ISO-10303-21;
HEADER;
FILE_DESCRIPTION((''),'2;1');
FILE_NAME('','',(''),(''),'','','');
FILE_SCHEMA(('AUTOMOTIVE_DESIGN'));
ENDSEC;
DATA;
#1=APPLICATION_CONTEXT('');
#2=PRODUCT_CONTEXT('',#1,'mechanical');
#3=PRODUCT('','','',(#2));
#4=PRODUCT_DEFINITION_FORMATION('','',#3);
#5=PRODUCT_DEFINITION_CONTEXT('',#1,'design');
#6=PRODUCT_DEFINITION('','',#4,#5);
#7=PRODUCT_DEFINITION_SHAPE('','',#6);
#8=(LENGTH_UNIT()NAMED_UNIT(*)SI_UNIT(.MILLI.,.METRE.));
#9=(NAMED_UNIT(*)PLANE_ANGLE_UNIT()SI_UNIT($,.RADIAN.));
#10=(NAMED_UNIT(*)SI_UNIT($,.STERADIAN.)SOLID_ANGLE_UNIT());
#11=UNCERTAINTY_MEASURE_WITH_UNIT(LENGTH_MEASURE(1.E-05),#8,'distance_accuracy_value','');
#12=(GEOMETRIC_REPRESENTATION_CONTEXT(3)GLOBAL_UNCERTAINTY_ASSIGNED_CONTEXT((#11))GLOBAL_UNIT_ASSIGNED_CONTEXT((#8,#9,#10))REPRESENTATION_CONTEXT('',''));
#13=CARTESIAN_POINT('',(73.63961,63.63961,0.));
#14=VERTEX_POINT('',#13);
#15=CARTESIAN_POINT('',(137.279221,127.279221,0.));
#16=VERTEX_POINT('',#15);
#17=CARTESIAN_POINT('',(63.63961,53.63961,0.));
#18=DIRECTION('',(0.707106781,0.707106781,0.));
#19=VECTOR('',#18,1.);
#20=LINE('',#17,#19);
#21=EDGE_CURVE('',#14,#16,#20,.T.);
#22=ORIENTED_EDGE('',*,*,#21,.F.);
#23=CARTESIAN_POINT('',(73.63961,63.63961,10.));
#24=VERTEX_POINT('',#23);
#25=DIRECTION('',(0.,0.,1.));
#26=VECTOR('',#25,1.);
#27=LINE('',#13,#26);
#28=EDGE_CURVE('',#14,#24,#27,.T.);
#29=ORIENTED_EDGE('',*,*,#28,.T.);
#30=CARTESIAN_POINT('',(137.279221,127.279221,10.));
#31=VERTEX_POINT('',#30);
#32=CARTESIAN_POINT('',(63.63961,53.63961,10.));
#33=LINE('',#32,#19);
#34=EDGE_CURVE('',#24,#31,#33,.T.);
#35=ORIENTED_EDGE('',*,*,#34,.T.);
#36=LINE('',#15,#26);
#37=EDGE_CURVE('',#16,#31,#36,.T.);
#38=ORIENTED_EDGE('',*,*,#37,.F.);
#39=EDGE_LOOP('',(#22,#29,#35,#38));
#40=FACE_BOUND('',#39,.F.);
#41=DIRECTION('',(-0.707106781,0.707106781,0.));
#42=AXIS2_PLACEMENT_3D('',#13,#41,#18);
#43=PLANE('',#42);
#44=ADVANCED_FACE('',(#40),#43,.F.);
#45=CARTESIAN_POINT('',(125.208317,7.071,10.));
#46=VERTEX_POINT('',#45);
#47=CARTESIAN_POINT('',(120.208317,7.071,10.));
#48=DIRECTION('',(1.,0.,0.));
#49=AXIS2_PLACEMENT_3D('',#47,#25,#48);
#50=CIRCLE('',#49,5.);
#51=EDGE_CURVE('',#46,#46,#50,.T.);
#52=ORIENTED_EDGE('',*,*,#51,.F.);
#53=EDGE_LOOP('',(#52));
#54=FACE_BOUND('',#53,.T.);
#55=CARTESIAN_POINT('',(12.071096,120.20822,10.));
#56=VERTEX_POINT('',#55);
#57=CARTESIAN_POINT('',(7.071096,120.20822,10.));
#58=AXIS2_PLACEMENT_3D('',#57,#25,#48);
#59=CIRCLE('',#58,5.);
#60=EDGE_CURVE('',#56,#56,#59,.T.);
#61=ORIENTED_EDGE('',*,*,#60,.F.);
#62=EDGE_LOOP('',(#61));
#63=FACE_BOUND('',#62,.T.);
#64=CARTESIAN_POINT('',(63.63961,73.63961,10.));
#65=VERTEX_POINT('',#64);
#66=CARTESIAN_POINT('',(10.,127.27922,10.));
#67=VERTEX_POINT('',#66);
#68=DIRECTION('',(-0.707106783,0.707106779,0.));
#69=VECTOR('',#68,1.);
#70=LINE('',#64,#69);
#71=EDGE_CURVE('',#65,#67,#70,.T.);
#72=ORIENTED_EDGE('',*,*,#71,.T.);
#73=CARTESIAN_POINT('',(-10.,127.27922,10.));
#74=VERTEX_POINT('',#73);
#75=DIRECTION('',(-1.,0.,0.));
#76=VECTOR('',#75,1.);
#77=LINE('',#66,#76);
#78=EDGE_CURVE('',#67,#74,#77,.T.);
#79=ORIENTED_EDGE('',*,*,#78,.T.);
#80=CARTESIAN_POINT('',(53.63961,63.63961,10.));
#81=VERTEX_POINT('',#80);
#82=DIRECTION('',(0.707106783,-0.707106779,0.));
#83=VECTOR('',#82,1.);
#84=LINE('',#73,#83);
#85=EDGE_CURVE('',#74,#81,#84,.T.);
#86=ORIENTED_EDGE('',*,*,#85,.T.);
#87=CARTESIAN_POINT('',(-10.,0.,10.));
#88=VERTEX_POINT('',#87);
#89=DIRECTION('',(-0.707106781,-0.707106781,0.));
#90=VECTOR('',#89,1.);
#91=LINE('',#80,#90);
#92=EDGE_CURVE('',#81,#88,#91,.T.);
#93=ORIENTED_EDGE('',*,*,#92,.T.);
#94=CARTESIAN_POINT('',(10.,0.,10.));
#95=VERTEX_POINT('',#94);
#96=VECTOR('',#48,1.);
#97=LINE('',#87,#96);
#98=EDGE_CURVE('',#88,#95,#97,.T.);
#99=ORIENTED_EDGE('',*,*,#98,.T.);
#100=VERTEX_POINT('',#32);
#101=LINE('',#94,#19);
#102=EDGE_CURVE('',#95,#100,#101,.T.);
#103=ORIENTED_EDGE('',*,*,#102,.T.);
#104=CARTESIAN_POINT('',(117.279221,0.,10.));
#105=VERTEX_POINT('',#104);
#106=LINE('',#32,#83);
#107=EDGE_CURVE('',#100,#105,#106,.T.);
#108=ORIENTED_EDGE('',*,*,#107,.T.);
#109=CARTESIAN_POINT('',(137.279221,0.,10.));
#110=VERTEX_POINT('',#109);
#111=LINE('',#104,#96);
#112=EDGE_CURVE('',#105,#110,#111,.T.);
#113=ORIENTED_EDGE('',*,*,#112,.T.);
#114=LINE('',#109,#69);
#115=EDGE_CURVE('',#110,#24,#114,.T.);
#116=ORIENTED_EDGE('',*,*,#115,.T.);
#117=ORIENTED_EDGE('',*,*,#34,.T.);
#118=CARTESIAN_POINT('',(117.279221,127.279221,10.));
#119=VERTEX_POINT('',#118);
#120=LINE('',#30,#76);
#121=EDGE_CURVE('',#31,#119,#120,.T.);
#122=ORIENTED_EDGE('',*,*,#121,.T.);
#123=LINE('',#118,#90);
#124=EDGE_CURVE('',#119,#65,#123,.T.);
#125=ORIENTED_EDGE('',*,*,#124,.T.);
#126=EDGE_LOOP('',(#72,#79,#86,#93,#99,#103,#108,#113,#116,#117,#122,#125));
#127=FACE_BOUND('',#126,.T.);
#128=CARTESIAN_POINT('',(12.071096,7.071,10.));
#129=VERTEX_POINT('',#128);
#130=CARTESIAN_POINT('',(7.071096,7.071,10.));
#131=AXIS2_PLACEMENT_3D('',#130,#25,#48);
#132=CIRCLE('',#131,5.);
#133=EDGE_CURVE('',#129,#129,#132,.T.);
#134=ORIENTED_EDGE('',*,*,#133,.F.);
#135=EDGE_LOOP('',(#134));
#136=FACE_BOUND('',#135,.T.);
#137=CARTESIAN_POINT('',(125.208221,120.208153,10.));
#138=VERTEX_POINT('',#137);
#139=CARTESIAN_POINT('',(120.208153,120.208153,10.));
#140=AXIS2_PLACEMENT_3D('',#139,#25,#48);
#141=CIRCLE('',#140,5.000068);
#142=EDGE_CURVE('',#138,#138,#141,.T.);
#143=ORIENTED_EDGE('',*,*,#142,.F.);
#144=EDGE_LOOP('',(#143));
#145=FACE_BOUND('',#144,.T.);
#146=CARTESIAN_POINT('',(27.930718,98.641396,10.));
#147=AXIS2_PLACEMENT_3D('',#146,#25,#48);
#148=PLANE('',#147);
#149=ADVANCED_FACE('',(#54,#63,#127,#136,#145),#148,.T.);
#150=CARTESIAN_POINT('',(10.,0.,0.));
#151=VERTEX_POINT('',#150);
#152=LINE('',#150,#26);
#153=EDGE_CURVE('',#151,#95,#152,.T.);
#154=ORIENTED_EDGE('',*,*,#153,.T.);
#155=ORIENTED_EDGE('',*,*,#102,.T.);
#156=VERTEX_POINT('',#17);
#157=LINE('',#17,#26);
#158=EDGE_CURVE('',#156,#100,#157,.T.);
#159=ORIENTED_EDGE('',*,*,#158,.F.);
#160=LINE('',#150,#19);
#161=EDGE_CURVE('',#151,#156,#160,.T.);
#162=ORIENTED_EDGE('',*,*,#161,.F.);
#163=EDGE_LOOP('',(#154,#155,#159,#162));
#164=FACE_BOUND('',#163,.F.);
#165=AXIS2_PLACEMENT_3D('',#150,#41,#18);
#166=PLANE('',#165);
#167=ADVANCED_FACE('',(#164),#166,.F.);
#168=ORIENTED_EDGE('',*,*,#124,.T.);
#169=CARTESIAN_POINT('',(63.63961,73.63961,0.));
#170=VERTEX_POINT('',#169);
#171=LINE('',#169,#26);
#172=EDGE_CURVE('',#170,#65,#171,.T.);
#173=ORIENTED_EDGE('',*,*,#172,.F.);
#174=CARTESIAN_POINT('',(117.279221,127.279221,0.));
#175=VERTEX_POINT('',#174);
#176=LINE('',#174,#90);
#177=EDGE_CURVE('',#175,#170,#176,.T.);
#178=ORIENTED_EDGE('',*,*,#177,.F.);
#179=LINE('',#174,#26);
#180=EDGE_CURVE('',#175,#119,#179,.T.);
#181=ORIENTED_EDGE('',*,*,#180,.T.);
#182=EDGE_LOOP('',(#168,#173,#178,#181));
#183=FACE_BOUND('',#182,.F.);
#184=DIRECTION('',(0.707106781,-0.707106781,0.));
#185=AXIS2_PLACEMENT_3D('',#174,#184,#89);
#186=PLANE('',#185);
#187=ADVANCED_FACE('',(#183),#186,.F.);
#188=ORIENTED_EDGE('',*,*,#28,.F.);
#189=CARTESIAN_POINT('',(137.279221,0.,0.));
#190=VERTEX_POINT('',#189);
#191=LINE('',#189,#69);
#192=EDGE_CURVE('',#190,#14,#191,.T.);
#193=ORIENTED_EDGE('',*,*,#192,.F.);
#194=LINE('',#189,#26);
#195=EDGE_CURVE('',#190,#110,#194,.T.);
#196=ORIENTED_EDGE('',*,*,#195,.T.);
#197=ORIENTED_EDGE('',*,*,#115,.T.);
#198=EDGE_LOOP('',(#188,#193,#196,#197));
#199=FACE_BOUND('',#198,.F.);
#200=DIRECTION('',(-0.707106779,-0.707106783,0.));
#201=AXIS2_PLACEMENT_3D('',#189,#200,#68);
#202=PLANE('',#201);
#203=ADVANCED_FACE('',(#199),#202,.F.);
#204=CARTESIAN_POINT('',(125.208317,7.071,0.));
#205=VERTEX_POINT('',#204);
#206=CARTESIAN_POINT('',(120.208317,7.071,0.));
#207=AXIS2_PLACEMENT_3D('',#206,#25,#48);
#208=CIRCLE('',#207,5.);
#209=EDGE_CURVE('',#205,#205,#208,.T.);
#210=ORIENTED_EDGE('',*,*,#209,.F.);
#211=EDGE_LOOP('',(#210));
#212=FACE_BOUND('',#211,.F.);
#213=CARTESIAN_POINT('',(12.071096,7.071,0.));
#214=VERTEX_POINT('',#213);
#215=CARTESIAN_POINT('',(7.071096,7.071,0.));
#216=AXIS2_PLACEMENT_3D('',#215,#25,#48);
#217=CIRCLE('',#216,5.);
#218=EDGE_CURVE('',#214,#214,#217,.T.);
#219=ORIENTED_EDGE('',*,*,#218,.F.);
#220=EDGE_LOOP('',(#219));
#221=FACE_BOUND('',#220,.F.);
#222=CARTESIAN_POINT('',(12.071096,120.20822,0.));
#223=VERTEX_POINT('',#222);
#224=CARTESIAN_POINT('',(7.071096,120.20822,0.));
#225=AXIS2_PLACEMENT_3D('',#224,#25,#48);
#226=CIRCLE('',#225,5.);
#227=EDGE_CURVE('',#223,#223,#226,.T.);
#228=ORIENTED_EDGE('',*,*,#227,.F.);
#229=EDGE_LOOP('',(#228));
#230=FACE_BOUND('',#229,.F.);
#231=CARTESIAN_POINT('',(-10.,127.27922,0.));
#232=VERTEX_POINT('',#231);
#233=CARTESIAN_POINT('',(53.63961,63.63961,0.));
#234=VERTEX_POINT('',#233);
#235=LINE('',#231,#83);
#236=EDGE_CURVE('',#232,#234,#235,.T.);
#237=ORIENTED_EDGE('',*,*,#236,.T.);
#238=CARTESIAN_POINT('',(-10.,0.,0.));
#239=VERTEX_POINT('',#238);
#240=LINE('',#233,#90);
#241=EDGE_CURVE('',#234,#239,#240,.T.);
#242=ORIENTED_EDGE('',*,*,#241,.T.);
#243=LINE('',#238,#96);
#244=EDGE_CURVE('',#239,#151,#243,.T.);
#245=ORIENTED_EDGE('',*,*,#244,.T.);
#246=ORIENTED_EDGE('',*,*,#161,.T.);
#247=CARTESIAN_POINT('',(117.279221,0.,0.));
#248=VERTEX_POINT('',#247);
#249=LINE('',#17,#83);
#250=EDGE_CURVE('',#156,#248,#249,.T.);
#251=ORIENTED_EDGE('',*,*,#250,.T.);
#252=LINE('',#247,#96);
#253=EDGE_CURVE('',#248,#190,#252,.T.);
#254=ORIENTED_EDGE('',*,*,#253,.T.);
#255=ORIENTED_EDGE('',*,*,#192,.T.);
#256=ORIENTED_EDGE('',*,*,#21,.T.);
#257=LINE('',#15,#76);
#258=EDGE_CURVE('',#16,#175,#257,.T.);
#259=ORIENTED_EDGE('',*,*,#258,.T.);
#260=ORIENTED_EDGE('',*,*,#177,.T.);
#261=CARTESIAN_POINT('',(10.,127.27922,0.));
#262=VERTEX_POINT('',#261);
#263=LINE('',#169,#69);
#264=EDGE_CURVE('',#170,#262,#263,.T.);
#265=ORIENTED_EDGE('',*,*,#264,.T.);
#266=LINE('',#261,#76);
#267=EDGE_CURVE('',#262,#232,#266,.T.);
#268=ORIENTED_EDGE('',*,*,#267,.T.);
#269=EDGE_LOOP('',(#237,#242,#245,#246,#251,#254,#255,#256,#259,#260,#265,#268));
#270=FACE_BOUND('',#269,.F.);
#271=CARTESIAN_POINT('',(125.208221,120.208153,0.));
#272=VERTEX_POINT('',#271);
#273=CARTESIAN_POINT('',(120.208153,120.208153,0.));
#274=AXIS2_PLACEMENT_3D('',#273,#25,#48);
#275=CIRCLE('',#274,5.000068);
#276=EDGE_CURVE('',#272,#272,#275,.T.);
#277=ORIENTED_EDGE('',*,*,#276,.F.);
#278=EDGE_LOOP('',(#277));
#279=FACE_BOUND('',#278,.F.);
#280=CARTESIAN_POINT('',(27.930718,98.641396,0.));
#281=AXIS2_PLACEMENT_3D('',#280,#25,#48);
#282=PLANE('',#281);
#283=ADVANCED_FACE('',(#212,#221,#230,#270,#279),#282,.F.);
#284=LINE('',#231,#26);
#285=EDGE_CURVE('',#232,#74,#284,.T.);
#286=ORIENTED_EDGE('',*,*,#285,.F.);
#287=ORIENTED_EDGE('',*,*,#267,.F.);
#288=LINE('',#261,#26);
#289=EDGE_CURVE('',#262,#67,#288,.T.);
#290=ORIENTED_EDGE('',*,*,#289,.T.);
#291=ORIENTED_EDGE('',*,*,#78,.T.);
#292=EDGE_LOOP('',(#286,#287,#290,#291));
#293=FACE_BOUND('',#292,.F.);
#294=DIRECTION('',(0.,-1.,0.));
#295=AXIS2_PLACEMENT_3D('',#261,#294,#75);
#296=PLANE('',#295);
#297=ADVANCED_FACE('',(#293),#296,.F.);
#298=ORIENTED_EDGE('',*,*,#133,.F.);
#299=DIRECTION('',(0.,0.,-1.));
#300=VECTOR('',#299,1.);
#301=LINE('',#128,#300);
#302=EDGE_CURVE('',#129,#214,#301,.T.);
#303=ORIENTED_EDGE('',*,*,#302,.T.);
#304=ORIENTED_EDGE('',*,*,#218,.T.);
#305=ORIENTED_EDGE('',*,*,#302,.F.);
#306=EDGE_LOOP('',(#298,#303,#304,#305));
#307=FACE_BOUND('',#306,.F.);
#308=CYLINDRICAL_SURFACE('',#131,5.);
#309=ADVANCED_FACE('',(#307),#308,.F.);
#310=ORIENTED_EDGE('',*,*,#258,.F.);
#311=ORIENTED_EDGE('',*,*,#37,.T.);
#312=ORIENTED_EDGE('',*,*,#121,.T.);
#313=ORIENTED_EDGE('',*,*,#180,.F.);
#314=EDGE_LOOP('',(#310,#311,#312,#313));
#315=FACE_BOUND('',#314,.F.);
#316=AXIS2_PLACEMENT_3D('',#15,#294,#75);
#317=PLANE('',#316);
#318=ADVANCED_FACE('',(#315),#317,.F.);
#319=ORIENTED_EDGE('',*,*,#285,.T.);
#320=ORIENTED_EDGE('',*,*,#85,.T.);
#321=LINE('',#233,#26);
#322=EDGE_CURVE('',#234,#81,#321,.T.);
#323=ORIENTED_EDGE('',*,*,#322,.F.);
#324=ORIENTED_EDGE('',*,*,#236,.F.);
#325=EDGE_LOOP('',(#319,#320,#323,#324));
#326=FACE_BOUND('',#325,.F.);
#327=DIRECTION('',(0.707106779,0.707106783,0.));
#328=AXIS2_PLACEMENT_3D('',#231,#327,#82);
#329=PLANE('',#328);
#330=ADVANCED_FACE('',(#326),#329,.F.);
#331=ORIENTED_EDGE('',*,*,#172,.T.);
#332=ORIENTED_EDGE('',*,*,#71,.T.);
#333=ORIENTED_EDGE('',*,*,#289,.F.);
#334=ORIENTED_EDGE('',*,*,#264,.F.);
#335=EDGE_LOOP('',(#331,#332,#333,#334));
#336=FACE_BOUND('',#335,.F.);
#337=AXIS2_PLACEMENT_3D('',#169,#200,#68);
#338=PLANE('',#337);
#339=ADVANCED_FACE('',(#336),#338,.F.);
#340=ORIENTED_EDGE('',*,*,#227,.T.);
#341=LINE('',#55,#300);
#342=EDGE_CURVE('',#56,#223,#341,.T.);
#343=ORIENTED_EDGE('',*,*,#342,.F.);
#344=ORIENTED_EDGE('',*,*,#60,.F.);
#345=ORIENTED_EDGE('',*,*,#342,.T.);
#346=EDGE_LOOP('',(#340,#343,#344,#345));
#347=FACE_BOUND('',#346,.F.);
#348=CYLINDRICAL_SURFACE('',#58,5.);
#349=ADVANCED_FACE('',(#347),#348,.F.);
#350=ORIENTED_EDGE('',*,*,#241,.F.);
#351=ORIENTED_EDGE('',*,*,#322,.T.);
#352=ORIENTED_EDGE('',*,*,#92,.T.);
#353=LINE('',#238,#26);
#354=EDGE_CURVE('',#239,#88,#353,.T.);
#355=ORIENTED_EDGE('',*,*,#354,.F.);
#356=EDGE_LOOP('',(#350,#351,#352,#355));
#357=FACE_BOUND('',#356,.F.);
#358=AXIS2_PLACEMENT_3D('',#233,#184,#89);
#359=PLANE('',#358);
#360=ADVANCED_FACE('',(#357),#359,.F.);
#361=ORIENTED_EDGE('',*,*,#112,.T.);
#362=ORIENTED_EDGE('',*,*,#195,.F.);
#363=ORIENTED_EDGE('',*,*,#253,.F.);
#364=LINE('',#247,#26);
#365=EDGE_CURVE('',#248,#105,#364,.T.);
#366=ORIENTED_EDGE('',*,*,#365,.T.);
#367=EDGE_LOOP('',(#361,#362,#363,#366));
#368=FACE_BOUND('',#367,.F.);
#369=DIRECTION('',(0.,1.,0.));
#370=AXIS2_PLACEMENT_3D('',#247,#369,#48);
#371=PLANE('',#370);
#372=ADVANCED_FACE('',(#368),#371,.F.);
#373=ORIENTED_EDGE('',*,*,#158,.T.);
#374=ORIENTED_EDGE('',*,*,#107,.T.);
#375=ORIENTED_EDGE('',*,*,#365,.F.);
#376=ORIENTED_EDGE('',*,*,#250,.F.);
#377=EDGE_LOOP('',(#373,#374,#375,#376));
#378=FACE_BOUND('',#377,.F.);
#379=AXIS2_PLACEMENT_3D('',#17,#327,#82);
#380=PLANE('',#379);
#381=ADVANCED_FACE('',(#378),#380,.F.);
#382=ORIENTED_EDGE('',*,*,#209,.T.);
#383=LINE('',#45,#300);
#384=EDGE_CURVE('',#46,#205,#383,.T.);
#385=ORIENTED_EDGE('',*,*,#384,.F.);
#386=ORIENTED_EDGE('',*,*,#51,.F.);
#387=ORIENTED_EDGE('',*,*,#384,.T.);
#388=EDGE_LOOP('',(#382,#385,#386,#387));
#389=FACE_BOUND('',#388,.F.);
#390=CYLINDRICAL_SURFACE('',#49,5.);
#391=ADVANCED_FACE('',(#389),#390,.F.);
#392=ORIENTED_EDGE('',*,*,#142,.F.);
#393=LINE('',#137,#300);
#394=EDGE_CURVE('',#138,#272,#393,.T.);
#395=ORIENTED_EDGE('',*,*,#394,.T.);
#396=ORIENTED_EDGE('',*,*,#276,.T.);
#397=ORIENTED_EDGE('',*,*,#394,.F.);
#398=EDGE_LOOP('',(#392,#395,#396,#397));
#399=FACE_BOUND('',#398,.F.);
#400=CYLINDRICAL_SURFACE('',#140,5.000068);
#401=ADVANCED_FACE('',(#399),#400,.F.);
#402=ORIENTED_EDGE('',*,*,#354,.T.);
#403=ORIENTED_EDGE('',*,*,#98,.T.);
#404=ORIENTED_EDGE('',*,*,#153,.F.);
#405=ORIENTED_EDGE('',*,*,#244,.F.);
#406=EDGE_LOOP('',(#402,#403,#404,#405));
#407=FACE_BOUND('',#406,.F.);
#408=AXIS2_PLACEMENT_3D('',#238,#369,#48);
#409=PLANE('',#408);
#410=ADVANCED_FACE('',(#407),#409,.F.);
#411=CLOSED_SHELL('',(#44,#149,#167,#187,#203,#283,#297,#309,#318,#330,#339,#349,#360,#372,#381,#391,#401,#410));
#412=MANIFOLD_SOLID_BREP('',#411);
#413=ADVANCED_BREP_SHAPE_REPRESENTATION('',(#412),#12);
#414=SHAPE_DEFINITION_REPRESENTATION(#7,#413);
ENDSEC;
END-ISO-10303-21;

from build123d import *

# Parameters (mm, degrees)
F1_DEPTH = 10
F2_R     = 5
F2_R_2   = 5.0000678119
F3_DEPTH = 25


with BuildPart() as f1:
    # F0 (on Top) → F1 (new body)
    with BuildSketch(Plane.XY):
        Polygon((10, 127.279220223), (-10, 127.279220223), (53.6396103068, 63.6396103068), (63.6396102761, 73.6396102761), align=None)
        Polygon((63.6396102761, 73.6396102761), (53.6396103068, 63.6396103068), (63.6396103375, 53.6396103375), (73.6396103068, 63.6396103068), align=None)
        Polygon((117.2792206136, 127.2792206136), (63.6396102761, 73.6396102761), (73.6396103068, 63.6396103068), (137.2792206136, 127.2792206136), align=None)
        Polygon((73.6396103068, 63.6396103068), (63.6396103375, 53.6396103375), (117.2792210042, 0), (137.2792210042, 0), align=None)
        Polygon((63.6396103375, 53.6396103375), (53.6396103068, 63.6396103068), (-10, 0), (10, 0), align=None)
    extrude(amount=F1_DEPTH)

    # F2 (on face) → F3 (cut)
    with BuildSketch(Plane.XY.offset(10)):
        with Locations((7.0710959132, 120.208220223)):
            Circle(F2_R)
        with Locations((120.2081528017, 120.2081528017)):
            Circle(F2_R_2)
        with Locations((120.2083168306, 7.071)):
            Circle(F2_R)
        with Locations((7.0710959005, 7.071)):
            Circle(F2_R)
    extrude(amount=-F3_DEPTH, mode=Mode.SUBTRACT)


solid = f1.part
